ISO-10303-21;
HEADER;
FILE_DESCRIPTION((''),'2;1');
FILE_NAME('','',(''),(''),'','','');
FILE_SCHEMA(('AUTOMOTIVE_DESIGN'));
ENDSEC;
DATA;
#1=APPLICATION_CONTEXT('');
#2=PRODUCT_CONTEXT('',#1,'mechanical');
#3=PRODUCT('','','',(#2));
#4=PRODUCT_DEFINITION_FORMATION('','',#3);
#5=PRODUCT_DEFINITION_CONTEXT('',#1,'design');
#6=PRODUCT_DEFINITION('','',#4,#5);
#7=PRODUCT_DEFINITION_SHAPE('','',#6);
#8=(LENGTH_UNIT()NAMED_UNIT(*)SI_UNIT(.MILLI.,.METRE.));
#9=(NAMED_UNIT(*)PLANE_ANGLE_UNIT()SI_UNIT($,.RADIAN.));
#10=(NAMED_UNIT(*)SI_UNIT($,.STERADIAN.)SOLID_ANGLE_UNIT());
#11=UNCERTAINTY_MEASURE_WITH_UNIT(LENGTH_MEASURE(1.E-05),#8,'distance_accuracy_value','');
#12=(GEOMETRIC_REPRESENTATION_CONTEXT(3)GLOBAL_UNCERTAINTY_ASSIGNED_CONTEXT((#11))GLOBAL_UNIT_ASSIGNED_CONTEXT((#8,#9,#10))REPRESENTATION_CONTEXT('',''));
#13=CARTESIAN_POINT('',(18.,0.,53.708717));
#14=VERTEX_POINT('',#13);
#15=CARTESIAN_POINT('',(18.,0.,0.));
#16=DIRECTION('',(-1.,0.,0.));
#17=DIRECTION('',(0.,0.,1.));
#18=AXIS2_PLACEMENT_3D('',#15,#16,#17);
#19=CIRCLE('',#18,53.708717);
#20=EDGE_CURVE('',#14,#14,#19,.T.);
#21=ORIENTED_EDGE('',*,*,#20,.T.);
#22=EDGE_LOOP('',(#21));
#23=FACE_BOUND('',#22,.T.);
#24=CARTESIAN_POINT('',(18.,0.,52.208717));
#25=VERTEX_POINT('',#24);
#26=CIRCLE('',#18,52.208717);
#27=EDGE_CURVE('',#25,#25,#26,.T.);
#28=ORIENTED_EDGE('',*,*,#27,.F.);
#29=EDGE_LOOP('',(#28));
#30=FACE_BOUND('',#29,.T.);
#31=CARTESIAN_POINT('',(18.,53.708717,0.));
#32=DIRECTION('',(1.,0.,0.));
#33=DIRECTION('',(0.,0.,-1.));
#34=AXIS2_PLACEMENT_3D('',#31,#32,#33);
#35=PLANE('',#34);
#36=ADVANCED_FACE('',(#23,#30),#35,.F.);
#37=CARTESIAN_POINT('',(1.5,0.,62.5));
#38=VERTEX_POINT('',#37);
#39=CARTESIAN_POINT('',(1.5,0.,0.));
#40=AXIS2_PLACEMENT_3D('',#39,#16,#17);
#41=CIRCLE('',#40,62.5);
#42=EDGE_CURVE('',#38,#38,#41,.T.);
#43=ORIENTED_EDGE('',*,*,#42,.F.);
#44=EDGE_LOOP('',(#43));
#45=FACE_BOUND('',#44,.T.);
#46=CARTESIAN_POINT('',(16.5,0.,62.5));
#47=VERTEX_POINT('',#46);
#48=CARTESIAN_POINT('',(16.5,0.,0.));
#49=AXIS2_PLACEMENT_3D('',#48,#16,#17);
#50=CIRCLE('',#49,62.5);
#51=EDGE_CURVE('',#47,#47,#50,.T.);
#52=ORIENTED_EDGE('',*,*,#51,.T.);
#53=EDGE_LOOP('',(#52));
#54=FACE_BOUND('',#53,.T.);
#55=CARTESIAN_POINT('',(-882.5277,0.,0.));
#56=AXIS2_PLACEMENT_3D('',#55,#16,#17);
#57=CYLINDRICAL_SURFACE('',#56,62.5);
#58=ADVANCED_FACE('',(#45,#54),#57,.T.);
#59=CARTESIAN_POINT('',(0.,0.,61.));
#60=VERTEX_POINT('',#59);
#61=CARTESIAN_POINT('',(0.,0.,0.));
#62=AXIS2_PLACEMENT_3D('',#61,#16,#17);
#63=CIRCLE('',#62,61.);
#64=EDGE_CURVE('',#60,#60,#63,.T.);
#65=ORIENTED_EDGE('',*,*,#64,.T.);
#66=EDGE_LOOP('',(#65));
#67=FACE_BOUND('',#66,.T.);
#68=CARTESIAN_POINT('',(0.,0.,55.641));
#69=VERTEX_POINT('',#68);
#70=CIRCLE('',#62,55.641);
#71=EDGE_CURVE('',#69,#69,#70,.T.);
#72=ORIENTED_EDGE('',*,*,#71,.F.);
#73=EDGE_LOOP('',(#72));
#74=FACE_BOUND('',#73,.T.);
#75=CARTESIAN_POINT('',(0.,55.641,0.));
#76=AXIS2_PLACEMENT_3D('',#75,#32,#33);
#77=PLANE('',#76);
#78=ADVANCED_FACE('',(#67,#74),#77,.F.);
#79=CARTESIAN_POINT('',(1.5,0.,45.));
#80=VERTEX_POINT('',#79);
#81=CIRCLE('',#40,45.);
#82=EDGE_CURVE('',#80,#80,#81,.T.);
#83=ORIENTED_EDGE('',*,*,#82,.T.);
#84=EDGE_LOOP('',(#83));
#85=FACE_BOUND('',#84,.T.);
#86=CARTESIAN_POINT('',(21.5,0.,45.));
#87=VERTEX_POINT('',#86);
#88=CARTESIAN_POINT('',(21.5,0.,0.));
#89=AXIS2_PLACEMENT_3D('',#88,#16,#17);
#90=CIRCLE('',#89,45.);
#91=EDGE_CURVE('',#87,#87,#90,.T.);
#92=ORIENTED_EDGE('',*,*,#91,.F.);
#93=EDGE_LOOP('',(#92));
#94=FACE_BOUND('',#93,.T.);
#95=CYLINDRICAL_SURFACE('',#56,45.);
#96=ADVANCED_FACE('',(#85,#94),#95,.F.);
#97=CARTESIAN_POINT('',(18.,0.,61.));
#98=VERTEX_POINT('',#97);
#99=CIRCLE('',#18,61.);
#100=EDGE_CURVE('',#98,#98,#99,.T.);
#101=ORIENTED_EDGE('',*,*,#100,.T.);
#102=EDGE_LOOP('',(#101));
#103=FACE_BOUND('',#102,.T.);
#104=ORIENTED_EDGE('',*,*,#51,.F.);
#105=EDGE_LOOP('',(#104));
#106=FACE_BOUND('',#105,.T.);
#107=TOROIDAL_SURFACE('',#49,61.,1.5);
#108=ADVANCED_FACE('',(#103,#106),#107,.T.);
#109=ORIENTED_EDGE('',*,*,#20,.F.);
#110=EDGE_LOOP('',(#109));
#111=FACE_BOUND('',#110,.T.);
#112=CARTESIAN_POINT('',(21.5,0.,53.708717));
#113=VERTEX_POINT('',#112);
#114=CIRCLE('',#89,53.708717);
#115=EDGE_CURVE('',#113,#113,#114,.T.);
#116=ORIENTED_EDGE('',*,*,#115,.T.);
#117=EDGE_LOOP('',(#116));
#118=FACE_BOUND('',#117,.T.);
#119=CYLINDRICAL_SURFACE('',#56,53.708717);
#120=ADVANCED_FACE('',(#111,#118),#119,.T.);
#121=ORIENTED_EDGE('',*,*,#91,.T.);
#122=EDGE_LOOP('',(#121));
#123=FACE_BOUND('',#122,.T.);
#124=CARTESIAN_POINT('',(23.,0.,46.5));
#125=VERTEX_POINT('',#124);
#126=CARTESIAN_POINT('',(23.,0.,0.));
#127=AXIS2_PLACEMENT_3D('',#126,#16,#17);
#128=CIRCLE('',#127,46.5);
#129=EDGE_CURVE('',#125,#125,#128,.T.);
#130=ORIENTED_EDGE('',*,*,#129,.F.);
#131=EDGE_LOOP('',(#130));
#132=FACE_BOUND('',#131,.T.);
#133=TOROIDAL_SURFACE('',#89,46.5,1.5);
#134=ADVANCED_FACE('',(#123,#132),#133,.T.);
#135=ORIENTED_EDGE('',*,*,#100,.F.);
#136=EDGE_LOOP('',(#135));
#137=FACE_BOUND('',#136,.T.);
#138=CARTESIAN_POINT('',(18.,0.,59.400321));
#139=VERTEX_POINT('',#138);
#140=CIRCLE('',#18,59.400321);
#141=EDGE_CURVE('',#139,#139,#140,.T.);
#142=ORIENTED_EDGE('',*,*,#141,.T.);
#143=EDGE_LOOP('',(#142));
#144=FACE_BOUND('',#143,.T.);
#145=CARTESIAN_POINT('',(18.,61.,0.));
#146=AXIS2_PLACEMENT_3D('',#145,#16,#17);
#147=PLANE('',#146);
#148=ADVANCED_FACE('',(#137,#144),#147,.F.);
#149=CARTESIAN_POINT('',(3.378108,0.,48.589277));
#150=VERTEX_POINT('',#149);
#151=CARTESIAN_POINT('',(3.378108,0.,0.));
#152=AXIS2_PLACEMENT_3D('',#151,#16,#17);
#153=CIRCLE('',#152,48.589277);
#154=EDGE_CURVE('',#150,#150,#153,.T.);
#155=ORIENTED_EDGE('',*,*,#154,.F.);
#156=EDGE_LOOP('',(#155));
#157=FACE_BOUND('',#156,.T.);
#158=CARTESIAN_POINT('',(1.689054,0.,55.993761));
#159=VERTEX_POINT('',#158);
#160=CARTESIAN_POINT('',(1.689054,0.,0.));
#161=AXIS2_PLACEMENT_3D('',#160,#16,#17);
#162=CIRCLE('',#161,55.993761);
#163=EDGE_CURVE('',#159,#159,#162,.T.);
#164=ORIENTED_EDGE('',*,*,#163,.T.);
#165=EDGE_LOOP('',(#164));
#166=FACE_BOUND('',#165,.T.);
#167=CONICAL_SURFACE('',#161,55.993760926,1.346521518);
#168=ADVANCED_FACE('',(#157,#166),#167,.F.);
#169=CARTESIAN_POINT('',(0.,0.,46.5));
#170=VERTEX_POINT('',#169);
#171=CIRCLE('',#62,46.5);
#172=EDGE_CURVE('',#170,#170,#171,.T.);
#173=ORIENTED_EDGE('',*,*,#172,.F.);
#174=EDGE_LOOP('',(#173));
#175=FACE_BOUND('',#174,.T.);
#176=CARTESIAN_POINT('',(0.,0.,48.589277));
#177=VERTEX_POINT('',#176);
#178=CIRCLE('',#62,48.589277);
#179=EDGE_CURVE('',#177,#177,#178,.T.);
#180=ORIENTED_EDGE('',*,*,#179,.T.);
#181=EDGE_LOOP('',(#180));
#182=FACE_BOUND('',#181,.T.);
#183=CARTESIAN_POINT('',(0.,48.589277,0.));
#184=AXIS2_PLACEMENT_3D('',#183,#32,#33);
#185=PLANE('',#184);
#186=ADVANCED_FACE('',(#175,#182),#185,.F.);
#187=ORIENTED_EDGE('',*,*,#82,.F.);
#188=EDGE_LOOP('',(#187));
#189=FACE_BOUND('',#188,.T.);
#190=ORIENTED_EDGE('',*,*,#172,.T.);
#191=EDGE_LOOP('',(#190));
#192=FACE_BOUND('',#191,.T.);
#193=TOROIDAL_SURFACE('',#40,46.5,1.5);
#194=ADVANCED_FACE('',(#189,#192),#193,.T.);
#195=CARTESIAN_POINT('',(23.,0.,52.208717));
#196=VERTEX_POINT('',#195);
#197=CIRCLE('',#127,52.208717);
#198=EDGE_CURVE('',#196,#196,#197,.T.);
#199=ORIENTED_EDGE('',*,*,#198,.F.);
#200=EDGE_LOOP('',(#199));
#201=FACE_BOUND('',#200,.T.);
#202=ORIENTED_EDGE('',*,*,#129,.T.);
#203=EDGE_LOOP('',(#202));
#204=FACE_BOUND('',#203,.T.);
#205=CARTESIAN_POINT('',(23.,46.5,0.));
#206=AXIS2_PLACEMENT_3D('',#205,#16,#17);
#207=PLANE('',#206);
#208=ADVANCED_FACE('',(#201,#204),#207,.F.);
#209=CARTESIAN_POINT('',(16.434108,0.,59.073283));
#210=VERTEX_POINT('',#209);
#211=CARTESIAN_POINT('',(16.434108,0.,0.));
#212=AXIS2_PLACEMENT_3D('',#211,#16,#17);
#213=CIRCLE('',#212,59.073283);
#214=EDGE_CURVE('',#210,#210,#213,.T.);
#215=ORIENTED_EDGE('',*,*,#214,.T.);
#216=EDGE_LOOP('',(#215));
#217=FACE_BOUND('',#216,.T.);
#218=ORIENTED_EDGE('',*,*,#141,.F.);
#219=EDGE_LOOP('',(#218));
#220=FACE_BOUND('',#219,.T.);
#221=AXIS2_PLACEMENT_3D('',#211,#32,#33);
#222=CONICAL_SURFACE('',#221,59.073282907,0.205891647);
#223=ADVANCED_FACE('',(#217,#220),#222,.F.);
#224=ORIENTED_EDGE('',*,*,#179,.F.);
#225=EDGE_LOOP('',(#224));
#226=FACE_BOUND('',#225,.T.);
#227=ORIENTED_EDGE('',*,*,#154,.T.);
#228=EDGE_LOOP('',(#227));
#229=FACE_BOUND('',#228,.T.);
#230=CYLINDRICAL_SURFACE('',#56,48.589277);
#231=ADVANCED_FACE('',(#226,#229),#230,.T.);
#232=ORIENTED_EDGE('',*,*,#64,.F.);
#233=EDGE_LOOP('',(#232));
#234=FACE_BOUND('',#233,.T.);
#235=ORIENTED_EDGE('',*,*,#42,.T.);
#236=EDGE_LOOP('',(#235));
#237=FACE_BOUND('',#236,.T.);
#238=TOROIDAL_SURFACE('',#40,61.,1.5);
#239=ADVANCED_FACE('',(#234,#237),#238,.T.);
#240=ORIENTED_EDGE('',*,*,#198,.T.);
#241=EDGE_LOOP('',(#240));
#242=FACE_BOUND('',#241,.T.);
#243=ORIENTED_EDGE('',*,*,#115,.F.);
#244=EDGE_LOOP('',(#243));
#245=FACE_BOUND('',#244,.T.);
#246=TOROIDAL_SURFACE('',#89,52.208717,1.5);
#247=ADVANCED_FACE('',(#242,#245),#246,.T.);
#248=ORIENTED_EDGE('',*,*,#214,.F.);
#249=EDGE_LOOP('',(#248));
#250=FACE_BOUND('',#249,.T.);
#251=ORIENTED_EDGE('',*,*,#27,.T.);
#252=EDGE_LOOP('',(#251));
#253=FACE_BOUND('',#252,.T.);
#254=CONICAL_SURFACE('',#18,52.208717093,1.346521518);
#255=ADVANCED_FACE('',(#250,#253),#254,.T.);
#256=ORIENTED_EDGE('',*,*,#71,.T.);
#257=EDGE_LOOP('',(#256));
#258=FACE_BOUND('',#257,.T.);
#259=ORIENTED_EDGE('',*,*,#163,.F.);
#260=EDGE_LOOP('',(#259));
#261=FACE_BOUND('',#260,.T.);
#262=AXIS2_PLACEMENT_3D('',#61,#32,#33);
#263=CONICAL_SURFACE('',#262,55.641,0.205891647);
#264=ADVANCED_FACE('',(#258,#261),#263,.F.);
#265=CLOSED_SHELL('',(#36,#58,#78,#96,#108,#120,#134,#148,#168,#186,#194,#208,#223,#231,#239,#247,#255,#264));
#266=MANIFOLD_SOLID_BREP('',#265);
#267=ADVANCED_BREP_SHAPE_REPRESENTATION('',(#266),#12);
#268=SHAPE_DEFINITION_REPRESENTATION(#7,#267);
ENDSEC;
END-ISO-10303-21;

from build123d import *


with BuildPart() as part:
    # Эскиз1 → Повернуть1 (revolve)
    with BuildSketch(Plane.XY):
        with BuildLine():
            Line((1.689053993, 55.993760926), (0, 55.641))
            Line((0, 55.641), (0, 61))
            ThreePointArc((0, 61), (0.439339828, 62.060660172), (1.5, 62.5))
            Line((1.5, 62.5), (16.5, 62.5))
            ThreePointArc((16.5, 62.5), (17.560660172, 62.060660172), (18, 61))
            Line((18, 61), (18, 59.400321308))
            Line((18, 59.400321308), (16.434107985, 59.073282907))
            Line((16.434107985, 59.073282907), (18, 52.208717093))
            Line((18, 52.208717093), (18, 53.708717093))
            Line((18, 53.708717093), (21.5, 53.708717093))
            ThreePointArc((21.5, 53.708717093), (22.560660172, 53.269377265), (23, 52.208717093))
            Line((23, 52.208717093), (23, 46.5))
            ThreePointArc((23, 46.5), (22.560660172, 45.439339828), (21.5, 45))
            Line((21.5, 45), (1.5, 45))
            ThreePointArc((1.5, 45), (0.439339828, 45.439339828), (0, 46.5))
            Line((0, 46.5), (0, 48.58927697))
            Line((0, 48.58927697), (3.378107986, 48.58927697))
            Line((3.378107986, 48.58927697), (1.689053993, 55.993760926))
        make_face()
    revolve(axis=Axis((-882.527700014, 0, 0), (1, 0, 0)))


solid = part.part
